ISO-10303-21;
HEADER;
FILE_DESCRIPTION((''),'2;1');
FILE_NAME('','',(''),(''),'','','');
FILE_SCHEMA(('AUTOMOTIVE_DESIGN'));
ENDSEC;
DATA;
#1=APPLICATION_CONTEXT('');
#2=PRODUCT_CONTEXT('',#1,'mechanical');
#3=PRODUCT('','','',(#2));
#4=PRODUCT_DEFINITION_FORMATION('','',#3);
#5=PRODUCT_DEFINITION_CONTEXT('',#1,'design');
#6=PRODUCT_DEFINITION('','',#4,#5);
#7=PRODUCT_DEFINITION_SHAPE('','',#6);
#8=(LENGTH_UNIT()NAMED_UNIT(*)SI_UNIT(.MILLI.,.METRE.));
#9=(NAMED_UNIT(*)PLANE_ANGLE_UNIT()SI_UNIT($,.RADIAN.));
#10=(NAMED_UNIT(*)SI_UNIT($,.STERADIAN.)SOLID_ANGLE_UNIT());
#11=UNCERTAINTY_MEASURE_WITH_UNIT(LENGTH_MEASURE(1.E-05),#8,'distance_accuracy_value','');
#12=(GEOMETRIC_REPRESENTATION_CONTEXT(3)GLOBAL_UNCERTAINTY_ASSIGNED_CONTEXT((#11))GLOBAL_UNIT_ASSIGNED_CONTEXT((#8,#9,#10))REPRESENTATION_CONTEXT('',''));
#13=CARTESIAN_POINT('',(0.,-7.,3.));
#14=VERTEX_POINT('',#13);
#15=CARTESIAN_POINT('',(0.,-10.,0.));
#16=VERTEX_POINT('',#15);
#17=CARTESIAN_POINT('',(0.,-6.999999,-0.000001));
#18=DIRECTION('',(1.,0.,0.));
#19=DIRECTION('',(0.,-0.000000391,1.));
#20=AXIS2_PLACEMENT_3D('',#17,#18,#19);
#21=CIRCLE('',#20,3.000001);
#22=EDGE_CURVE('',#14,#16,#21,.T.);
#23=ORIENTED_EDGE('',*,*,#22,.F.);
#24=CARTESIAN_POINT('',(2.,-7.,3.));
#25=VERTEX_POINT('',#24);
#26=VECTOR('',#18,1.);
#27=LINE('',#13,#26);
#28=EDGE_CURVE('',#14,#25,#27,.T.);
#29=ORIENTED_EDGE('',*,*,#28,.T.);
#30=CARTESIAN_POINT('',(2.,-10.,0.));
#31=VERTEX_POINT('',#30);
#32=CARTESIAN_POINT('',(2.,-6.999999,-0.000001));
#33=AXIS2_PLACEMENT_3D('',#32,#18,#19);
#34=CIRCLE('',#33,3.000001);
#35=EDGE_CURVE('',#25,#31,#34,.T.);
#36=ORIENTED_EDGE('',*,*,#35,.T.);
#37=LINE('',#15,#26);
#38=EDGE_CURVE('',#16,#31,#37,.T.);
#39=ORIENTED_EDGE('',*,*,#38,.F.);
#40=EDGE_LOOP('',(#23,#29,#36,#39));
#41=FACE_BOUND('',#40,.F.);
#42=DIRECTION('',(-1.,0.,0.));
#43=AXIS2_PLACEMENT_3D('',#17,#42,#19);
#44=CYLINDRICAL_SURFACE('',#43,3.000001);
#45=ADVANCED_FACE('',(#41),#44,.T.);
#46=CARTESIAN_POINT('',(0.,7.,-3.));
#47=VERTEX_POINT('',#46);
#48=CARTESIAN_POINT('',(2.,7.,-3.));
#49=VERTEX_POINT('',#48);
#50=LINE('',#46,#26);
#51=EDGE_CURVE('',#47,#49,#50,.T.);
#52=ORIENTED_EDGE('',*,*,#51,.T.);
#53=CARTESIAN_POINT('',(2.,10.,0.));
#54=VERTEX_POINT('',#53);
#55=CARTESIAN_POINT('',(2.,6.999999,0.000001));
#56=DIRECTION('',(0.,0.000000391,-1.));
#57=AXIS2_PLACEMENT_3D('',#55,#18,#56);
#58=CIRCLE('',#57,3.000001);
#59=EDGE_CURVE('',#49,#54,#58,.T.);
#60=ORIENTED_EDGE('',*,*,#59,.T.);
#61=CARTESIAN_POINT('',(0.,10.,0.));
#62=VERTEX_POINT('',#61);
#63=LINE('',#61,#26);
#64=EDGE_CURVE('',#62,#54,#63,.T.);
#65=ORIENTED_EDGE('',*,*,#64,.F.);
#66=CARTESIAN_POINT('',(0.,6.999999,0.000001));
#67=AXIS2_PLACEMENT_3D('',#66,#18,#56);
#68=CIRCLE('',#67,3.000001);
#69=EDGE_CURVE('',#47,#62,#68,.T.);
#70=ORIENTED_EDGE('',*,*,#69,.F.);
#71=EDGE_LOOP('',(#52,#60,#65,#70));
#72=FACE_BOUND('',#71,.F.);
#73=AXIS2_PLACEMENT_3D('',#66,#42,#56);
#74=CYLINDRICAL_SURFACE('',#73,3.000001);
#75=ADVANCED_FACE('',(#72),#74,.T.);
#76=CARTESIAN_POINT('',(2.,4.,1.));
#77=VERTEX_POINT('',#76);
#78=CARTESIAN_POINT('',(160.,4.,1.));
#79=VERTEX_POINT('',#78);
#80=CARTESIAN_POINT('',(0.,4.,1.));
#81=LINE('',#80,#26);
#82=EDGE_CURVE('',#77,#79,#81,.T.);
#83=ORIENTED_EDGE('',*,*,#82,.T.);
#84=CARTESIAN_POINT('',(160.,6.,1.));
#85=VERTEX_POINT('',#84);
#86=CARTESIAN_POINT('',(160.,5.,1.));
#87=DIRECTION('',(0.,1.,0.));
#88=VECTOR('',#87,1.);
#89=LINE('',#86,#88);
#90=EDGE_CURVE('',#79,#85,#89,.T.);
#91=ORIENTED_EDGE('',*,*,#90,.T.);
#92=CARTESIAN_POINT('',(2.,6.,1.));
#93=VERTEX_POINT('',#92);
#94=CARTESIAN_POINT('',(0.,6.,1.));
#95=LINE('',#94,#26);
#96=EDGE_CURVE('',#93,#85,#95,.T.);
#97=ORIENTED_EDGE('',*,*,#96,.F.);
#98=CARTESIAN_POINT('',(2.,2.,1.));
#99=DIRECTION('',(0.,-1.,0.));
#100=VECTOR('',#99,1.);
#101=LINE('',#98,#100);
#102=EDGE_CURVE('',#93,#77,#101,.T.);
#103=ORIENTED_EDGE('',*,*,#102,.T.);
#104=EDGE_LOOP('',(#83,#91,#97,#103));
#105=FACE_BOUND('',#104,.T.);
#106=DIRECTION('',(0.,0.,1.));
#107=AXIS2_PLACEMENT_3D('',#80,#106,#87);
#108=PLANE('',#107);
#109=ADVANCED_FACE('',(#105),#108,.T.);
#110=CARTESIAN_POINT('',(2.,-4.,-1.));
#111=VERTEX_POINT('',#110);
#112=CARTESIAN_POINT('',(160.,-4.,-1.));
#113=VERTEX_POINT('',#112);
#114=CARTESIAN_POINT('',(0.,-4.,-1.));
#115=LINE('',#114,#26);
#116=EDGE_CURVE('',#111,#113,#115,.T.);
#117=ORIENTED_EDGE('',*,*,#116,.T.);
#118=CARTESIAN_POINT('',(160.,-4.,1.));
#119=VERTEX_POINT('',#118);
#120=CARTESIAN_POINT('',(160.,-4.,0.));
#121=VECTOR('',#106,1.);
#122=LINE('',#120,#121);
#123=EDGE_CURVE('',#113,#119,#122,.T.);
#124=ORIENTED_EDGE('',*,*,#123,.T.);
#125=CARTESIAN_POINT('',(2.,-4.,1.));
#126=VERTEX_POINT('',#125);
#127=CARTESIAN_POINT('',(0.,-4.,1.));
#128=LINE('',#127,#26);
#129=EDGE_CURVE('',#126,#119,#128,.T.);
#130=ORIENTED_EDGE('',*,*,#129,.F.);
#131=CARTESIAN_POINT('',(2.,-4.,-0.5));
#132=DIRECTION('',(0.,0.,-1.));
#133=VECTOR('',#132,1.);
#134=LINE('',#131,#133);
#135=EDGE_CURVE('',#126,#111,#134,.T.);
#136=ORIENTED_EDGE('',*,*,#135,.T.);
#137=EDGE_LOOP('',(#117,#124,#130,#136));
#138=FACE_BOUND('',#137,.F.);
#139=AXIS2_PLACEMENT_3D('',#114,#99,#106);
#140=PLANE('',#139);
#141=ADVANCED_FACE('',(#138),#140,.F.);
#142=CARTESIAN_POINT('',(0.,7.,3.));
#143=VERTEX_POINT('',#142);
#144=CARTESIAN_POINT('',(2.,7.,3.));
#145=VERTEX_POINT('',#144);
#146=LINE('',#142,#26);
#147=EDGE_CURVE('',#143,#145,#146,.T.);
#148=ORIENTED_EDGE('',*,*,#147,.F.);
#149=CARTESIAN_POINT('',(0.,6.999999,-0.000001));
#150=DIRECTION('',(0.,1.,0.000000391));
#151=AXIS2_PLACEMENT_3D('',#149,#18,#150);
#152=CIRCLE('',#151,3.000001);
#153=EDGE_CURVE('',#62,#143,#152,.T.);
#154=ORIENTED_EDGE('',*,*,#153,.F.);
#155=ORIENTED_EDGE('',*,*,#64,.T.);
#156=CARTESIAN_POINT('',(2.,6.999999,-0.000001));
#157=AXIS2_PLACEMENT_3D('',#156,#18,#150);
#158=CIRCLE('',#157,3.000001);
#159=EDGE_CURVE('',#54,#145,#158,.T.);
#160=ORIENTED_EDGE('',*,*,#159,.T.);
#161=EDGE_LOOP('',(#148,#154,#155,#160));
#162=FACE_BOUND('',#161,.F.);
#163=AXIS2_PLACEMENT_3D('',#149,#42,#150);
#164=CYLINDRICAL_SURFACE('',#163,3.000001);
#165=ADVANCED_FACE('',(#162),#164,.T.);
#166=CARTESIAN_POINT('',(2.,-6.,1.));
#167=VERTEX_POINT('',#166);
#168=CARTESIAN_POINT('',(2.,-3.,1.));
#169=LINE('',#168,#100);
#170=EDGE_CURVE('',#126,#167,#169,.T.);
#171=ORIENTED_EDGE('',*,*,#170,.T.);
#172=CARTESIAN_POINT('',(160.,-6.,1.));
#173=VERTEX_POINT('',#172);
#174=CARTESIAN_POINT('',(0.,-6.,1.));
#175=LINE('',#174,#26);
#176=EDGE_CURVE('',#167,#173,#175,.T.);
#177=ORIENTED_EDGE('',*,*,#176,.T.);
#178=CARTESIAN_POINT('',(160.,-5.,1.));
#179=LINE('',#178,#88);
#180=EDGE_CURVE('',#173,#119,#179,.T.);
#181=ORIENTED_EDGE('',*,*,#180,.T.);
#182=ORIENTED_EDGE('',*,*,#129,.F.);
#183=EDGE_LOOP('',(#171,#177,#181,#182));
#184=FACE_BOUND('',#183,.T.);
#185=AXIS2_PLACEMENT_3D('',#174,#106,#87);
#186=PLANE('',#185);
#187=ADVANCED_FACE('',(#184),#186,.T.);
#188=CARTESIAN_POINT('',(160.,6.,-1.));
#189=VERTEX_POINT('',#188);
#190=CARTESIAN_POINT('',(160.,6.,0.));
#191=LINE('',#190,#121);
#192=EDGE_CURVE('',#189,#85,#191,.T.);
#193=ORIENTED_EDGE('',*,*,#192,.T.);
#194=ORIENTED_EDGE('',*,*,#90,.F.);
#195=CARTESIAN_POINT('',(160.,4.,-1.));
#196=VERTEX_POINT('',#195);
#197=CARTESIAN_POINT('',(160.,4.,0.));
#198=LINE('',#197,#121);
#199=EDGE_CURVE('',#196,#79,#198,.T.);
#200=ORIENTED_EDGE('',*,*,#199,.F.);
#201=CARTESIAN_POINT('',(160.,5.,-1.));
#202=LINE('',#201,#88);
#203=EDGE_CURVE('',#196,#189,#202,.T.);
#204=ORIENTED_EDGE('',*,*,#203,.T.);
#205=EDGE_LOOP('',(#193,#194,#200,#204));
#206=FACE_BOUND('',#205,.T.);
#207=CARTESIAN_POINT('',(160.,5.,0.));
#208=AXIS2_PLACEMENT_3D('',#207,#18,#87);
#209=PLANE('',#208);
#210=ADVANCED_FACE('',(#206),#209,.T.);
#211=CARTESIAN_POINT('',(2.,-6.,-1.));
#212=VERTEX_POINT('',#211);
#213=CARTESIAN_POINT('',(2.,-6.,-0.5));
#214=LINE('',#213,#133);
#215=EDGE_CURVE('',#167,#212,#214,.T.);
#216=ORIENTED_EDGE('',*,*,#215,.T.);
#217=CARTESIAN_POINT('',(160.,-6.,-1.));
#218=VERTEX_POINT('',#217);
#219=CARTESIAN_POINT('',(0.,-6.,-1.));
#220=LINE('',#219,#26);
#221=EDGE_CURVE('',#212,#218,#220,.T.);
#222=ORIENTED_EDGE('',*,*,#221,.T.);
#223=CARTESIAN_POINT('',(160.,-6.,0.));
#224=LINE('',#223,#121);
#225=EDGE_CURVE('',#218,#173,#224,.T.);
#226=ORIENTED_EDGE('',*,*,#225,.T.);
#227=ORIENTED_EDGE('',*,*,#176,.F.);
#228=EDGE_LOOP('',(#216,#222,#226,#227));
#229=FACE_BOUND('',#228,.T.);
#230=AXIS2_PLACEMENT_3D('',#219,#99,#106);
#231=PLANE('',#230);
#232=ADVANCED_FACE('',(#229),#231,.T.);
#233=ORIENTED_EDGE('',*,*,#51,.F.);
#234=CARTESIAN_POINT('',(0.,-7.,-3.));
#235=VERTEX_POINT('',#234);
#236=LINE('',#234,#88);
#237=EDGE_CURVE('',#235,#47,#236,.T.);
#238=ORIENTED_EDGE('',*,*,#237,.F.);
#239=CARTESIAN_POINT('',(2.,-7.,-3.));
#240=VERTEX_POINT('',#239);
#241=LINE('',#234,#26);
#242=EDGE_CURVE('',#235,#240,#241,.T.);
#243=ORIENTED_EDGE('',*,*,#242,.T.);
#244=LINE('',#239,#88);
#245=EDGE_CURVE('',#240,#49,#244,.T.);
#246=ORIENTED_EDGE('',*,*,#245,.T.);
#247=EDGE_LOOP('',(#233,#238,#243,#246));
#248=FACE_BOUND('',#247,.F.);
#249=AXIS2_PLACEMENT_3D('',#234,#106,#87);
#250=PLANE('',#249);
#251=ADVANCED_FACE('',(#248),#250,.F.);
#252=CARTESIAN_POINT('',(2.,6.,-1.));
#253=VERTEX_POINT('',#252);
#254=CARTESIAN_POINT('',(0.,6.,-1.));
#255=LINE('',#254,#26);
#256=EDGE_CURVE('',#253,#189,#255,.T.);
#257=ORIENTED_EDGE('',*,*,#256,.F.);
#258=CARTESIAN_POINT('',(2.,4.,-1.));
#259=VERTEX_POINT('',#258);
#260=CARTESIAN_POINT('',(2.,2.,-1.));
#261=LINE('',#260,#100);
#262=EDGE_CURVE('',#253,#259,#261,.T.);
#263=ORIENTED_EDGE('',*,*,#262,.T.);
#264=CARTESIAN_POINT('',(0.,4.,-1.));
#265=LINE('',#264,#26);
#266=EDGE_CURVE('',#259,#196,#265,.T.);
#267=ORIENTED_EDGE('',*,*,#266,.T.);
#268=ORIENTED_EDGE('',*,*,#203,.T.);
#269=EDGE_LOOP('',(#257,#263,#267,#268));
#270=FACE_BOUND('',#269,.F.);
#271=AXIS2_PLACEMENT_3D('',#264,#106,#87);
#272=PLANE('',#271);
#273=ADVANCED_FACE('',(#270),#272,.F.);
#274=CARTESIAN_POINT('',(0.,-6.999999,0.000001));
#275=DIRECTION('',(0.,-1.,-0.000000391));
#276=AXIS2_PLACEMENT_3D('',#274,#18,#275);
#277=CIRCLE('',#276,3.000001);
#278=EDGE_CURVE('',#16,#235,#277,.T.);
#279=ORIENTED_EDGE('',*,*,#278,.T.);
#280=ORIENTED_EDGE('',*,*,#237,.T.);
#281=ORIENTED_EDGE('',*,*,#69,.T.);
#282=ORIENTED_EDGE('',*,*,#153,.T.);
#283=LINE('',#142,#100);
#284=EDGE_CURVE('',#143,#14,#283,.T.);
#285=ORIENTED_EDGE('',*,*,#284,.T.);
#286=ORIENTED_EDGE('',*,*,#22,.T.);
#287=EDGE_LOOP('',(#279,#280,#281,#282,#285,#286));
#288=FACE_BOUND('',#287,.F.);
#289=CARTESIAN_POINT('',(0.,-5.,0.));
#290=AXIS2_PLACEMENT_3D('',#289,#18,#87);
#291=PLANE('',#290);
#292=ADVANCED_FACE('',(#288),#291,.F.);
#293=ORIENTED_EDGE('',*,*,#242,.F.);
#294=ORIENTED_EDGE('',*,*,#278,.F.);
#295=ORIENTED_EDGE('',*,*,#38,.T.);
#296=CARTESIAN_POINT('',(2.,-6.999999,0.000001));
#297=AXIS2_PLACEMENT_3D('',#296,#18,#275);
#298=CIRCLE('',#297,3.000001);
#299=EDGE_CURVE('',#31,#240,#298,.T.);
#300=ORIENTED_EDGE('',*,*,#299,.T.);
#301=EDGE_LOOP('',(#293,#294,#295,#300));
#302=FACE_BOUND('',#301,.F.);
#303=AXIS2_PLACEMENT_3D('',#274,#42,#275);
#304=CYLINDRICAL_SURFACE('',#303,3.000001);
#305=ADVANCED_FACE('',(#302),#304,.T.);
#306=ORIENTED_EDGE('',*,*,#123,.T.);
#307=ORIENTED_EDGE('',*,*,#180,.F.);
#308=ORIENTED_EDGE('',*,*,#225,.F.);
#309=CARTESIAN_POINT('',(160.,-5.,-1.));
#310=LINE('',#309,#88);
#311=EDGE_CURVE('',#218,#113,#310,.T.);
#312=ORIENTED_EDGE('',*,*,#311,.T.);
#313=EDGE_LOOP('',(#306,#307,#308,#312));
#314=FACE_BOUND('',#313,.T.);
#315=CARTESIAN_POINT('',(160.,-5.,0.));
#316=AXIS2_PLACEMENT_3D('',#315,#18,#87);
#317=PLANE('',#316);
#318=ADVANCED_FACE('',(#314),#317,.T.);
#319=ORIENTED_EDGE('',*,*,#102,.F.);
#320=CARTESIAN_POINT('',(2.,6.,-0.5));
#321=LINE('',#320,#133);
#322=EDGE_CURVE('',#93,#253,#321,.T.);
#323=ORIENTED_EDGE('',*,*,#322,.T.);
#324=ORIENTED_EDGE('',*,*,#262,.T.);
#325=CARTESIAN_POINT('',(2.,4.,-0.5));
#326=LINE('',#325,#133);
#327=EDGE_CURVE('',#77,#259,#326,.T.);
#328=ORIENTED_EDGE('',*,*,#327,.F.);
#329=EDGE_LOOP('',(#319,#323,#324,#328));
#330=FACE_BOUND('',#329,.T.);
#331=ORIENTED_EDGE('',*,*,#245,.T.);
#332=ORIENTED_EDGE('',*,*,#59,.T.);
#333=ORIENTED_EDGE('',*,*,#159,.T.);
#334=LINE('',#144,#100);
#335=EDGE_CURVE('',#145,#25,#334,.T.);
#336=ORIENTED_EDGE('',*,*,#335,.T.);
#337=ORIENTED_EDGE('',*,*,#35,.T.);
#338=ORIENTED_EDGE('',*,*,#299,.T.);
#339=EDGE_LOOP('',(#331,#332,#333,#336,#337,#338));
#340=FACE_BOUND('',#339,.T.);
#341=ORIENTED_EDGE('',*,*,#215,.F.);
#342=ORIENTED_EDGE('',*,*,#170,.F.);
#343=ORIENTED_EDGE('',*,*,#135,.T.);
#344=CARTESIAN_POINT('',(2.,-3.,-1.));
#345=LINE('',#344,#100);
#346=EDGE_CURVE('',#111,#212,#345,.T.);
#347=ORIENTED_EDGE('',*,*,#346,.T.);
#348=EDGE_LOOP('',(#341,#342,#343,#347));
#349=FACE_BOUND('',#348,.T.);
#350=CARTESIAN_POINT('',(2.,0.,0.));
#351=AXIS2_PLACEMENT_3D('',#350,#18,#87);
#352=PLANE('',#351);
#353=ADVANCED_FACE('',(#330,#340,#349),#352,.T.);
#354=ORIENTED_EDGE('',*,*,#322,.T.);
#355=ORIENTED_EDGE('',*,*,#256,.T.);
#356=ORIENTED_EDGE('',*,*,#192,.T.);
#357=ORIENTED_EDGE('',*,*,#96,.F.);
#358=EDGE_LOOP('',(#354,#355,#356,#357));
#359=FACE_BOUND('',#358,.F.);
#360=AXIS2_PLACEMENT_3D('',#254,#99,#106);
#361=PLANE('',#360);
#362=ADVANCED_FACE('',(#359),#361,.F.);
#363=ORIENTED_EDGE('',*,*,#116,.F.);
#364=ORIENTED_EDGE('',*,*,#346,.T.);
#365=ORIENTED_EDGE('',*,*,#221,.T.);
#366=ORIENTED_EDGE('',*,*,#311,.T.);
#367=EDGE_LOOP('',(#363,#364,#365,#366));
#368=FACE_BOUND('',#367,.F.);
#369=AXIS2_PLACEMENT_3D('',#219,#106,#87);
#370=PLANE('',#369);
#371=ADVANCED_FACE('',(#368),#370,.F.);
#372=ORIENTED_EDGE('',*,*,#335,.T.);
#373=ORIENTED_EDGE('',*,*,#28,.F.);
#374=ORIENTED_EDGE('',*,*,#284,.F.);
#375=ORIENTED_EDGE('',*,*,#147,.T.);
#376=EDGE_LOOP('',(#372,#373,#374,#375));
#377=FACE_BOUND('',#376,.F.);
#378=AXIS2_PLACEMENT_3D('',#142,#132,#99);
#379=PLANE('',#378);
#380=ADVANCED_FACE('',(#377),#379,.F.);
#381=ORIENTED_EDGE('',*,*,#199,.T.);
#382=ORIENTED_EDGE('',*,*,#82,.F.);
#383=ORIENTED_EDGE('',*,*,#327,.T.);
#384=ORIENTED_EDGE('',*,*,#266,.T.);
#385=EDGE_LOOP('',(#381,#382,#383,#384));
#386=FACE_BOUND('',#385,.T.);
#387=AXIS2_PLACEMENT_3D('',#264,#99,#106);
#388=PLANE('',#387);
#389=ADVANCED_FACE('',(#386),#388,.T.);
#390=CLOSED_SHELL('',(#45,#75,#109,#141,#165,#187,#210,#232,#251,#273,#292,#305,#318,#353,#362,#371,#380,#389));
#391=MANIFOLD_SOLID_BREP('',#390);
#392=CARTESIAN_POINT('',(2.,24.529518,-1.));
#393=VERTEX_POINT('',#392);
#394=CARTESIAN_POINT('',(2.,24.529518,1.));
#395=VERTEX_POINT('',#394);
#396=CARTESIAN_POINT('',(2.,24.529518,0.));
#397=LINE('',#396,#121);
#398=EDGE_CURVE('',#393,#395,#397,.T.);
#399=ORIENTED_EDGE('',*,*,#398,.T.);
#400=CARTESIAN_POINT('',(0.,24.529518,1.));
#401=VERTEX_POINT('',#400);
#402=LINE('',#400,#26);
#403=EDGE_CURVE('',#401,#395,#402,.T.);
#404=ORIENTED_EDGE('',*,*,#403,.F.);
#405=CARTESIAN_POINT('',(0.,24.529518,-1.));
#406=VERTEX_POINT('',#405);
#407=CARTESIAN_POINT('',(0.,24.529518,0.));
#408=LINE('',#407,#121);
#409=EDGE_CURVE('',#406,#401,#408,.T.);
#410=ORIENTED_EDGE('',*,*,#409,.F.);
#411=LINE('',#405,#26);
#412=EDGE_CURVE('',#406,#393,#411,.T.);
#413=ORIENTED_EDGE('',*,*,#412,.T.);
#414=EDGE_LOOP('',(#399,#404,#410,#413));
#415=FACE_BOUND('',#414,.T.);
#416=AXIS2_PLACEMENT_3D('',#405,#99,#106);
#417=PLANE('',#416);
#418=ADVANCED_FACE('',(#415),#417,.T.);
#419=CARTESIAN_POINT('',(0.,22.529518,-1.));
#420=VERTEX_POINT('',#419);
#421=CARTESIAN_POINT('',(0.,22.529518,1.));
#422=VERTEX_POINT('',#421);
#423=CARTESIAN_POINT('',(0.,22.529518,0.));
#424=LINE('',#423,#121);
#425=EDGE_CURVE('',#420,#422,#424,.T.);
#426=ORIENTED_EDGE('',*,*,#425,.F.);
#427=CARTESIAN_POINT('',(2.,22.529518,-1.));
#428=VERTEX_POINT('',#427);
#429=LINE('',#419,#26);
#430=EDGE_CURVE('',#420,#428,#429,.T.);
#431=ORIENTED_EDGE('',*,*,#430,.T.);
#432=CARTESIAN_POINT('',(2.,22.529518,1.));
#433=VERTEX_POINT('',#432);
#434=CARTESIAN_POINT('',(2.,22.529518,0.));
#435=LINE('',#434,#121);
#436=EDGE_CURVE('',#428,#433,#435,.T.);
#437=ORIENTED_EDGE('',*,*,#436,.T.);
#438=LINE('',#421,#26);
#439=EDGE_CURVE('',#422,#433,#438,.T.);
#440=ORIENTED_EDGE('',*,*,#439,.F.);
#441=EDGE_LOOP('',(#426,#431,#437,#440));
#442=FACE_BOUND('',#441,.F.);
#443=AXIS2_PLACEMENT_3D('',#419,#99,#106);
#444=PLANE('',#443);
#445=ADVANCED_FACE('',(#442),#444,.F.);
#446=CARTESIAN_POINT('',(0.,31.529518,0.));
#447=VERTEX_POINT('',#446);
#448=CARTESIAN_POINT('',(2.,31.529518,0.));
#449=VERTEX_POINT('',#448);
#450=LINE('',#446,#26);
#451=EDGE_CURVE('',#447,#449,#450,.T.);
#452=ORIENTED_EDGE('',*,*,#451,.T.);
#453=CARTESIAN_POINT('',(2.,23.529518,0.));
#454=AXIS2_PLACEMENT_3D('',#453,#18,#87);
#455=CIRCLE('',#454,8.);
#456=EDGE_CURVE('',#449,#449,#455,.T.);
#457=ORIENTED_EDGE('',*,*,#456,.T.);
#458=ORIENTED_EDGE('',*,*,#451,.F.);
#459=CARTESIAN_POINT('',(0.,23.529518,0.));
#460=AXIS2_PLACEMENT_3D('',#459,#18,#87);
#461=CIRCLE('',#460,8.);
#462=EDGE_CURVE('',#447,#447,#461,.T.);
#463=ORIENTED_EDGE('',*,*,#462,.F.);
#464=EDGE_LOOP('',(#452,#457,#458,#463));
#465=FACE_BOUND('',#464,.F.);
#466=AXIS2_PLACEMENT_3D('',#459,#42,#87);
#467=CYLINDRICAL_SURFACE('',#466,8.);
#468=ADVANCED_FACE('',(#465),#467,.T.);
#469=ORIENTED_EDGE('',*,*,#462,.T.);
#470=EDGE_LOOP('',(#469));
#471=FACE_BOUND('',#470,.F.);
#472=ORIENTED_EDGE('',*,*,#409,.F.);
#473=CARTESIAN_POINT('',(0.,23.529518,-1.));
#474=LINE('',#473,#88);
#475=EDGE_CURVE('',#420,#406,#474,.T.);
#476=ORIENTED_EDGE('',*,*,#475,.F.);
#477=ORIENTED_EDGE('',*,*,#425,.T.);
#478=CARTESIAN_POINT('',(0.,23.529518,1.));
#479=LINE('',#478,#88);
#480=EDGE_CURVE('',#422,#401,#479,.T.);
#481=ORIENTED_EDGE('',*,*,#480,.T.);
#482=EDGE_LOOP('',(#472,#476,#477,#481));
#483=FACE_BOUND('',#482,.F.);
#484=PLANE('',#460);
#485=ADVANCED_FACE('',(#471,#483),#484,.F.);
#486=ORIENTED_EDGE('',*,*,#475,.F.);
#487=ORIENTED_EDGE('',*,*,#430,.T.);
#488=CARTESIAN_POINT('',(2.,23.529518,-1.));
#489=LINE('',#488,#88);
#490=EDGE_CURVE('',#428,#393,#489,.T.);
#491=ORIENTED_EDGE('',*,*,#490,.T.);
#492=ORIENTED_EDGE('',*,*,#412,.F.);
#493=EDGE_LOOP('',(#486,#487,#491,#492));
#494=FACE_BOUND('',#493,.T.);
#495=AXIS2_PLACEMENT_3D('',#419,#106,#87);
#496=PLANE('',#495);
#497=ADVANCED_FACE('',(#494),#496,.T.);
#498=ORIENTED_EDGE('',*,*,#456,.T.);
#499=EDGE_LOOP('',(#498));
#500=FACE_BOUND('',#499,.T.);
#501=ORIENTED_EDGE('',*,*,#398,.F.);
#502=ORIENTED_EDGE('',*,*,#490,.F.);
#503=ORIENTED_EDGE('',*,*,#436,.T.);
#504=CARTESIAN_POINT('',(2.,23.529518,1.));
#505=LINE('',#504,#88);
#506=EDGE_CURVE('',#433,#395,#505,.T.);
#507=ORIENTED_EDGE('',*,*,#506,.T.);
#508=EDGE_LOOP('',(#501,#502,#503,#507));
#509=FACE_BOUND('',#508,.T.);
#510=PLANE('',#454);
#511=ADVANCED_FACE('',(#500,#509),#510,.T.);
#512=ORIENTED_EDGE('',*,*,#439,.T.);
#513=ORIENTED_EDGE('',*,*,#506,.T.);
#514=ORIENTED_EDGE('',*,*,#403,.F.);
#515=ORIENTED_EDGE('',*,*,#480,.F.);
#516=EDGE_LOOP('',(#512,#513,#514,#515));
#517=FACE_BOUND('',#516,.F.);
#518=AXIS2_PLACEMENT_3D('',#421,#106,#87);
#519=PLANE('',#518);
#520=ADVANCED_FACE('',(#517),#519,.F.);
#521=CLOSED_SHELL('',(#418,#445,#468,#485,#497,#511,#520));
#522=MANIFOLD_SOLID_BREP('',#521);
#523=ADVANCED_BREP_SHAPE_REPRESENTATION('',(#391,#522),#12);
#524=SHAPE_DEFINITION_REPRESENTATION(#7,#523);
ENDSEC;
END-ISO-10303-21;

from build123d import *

# Parameters (mm, degrees)
F0_W     = 2
F0_H     = 2
F1_DEPTH = 2
F2_DEPTH = 160
F0_R     = 8
F3_DEPTH = 2


with BuildPart() as f1:
    # F0 (on Right) → F1 (new body)
    with BuildSketch(Plane.YZ):
        with BuildLine():
            ThreePointArc((10, 0), (9.12132, 2.12132), (7, 3))
            Line((7, 3), (-7, 3))
            ThreePointArc((-7, 3), (-9.12132, 2.12132), (-10, 0))
            ThreePointArc((-10, 0), (-9.12132, -2.12132), (-7, -3))
            Line((-7, -3), (7, -3))
            ThreePointArc((7, -3), (9.12132, -2.12132), (10, 0))
        make_face()
        with Locations((-5, 0)):
            Rectangle(F0_W, F0_H, mode=Mode.SUBTRACT)
        with Locations((5, 0)):
            Rectangle(F0_W, F0_H, mode=Mode.SUBTRACT)
        with Locations((-5, 0)):
            Rectangle(F0_W, F0_H)
        with Locations((5, 0)):
            Rectangle(F0_W, F0_H)
    extrude(amount=F1_DEPTH)

    # F0 (on Right) → F2 (join)
    with BuildSketch(Plane.YZ):
        with Locations((-5, 0)):
            Rectangle(F0_W, F0_H)
        with Locations((5, 0)):
            Rectangle(F0_W, F0_H)
    extrude(amount=F2_DEPTH)


with BuildPart() as f3:
    # F0 (on Right) → F3 (new body)
    with BuildSketch(Plane.YZ):
        with Locations((23.529518, 0)):
            Circle(F0_R)
        with Locations((23.529518, 0)):
            Rectangle(F0_W, F0_H, mode=Mode.SUBTRACT)
    extrude(amount=F3_DEPTH)


solid = Compound([f1.part, f3.part])
